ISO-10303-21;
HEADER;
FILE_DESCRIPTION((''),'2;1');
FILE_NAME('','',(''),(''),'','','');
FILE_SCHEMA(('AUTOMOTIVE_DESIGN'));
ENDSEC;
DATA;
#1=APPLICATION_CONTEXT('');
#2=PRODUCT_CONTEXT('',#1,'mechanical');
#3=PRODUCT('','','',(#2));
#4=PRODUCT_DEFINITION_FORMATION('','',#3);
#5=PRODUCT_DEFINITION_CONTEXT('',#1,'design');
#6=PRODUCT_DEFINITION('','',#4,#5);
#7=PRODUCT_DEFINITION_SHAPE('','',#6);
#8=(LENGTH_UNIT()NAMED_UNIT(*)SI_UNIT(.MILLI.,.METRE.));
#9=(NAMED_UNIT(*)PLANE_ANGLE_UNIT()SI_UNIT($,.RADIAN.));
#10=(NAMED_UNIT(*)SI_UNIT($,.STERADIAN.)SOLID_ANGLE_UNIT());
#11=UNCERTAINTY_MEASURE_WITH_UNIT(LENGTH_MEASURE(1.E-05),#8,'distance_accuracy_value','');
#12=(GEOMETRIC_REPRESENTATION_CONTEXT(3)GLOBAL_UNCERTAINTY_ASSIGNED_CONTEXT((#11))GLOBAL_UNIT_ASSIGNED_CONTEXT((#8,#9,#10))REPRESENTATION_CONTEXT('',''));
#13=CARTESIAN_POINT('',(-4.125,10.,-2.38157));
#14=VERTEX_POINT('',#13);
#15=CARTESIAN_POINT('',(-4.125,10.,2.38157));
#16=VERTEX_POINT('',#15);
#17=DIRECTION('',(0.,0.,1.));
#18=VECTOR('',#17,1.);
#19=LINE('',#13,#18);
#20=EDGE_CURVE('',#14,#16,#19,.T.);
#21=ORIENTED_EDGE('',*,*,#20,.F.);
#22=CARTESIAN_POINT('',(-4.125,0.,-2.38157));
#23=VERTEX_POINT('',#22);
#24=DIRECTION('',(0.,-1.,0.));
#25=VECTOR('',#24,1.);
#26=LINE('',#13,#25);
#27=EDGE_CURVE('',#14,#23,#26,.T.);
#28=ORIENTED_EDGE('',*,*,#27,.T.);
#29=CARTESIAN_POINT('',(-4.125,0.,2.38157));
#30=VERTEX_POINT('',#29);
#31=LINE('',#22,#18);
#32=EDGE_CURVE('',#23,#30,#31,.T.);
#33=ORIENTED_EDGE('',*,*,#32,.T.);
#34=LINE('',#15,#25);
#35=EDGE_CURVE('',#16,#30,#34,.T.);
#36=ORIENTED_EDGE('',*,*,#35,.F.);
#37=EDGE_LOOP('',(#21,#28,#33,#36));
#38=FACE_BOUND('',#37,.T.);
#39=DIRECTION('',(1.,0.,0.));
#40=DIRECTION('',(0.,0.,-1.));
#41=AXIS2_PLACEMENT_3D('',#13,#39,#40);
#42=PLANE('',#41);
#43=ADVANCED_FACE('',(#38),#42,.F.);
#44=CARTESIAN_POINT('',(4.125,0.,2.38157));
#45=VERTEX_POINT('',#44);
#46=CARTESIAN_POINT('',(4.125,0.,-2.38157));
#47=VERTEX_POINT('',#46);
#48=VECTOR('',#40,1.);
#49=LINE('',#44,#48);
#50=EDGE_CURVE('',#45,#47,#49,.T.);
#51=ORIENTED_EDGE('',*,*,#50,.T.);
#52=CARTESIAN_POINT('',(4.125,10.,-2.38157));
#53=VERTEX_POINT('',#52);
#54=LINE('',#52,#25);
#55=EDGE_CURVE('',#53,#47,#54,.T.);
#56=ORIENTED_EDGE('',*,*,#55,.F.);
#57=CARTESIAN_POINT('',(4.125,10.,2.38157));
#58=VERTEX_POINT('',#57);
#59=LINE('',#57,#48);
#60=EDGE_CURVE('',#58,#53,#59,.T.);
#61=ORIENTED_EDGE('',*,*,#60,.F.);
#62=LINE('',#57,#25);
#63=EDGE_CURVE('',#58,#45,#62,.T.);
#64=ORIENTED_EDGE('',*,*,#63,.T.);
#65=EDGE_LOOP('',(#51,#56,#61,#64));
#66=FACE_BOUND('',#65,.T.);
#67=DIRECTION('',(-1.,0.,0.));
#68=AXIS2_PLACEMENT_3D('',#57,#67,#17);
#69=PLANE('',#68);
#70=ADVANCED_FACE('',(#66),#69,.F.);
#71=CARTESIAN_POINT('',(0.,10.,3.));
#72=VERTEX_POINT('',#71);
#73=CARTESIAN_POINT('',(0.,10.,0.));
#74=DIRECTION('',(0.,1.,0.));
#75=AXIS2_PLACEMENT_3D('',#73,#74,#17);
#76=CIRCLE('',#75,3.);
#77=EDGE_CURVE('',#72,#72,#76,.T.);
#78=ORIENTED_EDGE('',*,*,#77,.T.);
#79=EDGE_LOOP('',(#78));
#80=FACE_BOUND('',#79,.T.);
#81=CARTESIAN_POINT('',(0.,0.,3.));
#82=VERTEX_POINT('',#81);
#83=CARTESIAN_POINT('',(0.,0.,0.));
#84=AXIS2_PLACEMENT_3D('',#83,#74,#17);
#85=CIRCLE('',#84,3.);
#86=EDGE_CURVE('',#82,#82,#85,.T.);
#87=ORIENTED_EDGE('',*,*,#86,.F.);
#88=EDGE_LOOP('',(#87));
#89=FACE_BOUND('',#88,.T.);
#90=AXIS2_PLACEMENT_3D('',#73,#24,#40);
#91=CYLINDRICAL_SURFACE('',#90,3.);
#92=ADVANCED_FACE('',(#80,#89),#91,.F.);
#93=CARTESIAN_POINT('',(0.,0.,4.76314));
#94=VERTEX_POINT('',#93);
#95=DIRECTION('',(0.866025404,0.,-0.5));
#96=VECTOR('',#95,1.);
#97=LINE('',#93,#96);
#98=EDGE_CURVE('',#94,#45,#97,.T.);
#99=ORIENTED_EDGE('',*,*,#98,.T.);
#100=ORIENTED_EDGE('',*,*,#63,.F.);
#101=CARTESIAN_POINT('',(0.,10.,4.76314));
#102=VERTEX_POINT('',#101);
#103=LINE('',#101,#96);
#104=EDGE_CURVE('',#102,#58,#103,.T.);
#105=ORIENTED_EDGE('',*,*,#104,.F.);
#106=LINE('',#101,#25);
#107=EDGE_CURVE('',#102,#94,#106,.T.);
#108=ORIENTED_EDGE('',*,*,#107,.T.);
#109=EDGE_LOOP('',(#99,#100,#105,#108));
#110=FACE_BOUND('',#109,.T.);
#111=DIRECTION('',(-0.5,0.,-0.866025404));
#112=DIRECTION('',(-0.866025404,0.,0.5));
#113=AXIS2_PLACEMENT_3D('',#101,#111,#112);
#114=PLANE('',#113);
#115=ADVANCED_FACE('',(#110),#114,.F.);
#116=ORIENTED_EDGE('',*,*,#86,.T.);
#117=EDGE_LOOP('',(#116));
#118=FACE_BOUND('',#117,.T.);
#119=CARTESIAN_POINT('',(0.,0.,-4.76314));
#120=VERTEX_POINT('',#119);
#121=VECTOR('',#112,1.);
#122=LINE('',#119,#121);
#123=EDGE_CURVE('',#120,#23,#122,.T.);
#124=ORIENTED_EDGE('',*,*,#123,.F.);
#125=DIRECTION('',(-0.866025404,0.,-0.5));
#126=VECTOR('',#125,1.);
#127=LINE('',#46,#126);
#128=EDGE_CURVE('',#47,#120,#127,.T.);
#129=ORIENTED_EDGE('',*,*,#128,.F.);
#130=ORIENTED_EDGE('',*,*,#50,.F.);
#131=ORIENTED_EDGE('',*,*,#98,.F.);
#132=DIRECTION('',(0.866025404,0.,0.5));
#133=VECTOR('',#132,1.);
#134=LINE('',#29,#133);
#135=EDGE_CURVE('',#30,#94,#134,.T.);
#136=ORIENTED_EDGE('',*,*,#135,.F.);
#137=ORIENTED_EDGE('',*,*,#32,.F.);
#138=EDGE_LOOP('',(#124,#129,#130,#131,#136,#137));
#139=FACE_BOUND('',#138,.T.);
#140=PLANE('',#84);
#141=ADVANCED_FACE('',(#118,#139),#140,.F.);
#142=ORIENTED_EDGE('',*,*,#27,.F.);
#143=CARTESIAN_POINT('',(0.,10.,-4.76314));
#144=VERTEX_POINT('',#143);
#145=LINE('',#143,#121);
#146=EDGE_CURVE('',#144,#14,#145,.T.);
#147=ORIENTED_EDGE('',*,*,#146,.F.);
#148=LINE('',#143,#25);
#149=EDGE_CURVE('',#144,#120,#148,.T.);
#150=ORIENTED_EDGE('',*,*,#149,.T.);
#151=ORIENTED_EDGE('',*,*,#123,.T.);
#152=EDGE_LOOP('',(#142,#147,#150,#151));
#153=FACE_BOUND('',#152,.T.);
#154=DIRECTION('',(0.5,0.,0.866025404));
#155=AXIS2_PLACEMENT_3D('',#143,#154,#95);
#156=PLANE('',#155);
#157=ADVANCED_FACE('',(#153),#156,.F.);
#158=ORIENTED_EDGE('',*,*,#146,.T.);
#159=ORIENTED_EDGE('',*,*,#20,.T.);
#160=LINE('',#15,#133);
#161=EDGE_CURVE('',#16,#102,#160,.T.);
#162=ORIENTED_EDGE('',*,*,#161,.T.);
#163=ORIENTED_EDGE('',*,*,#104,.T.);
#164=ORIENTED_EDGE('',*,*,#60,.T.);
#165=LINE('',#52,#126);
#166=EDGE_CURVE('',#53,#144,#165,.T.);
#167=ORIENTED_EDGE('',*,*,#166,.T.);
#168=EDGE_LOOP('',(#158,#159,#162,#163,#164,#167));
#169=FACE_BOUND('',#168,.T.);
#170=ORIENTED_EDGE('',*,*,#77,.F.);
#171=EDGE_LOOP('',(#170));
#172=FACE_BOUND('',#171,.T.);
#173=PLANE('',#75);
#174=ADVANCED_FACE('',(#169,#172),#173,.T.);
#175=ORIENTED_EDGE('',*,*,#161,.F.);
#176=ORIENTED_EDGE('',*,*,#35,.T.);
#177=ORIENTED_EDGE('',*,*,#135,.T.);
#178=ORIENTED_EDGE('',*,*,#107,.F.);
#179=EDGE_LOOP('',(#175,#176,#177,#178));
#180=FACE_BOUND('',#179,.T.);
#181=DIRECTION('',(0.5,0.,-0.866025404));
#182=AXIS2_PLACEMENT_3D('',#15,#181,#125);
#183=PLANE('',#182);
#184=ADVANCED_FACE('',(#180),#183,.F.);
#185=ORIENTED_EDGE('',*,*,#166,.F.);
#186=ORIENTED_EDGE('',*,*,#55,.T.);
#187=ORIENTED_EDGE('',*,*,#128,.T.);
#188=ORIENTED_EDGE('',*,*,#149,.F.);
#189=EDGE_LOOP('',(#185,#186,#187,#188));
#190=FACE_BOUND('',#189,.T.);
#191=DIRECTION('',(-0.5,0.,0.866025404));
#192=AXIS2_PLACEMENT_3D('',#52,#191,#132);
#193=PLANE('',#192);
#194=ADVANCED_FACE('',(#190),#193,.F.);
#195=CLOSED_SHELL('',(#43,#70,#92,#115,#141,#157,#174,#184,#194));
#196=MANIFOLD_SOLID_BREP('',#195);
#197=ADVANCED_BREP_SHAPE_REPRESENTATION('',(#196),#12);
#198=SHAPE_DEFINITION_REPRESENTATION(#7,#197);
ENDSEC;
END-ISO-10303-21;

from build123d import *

# Parameters (mm, degrees)
SKETCH_1_R      = 3
EXTRUDE_1_DEPTH = 10


with BuildPart() as part:
    # 草图1 → 凸台-拉伸1 (new body)
    with BuildSketch(Plane(origin=(0, 0, 0), x_dir=(1, 0, 0), z_dir=(0, 1, 0))):
        Polygon((0, 4.763139721), (-4.125, 2.38156986), (-4.125, -2.38156986), (0, -4.763139721), (4.125, -2.38156986), (4.125, 2.38156986), align=None)
        Circle(SKETCH_1_R, mode=Mode.SUBTRACT)
    extrude(amount=EXTRUDE_1_DEPTH)


solid = part.part
